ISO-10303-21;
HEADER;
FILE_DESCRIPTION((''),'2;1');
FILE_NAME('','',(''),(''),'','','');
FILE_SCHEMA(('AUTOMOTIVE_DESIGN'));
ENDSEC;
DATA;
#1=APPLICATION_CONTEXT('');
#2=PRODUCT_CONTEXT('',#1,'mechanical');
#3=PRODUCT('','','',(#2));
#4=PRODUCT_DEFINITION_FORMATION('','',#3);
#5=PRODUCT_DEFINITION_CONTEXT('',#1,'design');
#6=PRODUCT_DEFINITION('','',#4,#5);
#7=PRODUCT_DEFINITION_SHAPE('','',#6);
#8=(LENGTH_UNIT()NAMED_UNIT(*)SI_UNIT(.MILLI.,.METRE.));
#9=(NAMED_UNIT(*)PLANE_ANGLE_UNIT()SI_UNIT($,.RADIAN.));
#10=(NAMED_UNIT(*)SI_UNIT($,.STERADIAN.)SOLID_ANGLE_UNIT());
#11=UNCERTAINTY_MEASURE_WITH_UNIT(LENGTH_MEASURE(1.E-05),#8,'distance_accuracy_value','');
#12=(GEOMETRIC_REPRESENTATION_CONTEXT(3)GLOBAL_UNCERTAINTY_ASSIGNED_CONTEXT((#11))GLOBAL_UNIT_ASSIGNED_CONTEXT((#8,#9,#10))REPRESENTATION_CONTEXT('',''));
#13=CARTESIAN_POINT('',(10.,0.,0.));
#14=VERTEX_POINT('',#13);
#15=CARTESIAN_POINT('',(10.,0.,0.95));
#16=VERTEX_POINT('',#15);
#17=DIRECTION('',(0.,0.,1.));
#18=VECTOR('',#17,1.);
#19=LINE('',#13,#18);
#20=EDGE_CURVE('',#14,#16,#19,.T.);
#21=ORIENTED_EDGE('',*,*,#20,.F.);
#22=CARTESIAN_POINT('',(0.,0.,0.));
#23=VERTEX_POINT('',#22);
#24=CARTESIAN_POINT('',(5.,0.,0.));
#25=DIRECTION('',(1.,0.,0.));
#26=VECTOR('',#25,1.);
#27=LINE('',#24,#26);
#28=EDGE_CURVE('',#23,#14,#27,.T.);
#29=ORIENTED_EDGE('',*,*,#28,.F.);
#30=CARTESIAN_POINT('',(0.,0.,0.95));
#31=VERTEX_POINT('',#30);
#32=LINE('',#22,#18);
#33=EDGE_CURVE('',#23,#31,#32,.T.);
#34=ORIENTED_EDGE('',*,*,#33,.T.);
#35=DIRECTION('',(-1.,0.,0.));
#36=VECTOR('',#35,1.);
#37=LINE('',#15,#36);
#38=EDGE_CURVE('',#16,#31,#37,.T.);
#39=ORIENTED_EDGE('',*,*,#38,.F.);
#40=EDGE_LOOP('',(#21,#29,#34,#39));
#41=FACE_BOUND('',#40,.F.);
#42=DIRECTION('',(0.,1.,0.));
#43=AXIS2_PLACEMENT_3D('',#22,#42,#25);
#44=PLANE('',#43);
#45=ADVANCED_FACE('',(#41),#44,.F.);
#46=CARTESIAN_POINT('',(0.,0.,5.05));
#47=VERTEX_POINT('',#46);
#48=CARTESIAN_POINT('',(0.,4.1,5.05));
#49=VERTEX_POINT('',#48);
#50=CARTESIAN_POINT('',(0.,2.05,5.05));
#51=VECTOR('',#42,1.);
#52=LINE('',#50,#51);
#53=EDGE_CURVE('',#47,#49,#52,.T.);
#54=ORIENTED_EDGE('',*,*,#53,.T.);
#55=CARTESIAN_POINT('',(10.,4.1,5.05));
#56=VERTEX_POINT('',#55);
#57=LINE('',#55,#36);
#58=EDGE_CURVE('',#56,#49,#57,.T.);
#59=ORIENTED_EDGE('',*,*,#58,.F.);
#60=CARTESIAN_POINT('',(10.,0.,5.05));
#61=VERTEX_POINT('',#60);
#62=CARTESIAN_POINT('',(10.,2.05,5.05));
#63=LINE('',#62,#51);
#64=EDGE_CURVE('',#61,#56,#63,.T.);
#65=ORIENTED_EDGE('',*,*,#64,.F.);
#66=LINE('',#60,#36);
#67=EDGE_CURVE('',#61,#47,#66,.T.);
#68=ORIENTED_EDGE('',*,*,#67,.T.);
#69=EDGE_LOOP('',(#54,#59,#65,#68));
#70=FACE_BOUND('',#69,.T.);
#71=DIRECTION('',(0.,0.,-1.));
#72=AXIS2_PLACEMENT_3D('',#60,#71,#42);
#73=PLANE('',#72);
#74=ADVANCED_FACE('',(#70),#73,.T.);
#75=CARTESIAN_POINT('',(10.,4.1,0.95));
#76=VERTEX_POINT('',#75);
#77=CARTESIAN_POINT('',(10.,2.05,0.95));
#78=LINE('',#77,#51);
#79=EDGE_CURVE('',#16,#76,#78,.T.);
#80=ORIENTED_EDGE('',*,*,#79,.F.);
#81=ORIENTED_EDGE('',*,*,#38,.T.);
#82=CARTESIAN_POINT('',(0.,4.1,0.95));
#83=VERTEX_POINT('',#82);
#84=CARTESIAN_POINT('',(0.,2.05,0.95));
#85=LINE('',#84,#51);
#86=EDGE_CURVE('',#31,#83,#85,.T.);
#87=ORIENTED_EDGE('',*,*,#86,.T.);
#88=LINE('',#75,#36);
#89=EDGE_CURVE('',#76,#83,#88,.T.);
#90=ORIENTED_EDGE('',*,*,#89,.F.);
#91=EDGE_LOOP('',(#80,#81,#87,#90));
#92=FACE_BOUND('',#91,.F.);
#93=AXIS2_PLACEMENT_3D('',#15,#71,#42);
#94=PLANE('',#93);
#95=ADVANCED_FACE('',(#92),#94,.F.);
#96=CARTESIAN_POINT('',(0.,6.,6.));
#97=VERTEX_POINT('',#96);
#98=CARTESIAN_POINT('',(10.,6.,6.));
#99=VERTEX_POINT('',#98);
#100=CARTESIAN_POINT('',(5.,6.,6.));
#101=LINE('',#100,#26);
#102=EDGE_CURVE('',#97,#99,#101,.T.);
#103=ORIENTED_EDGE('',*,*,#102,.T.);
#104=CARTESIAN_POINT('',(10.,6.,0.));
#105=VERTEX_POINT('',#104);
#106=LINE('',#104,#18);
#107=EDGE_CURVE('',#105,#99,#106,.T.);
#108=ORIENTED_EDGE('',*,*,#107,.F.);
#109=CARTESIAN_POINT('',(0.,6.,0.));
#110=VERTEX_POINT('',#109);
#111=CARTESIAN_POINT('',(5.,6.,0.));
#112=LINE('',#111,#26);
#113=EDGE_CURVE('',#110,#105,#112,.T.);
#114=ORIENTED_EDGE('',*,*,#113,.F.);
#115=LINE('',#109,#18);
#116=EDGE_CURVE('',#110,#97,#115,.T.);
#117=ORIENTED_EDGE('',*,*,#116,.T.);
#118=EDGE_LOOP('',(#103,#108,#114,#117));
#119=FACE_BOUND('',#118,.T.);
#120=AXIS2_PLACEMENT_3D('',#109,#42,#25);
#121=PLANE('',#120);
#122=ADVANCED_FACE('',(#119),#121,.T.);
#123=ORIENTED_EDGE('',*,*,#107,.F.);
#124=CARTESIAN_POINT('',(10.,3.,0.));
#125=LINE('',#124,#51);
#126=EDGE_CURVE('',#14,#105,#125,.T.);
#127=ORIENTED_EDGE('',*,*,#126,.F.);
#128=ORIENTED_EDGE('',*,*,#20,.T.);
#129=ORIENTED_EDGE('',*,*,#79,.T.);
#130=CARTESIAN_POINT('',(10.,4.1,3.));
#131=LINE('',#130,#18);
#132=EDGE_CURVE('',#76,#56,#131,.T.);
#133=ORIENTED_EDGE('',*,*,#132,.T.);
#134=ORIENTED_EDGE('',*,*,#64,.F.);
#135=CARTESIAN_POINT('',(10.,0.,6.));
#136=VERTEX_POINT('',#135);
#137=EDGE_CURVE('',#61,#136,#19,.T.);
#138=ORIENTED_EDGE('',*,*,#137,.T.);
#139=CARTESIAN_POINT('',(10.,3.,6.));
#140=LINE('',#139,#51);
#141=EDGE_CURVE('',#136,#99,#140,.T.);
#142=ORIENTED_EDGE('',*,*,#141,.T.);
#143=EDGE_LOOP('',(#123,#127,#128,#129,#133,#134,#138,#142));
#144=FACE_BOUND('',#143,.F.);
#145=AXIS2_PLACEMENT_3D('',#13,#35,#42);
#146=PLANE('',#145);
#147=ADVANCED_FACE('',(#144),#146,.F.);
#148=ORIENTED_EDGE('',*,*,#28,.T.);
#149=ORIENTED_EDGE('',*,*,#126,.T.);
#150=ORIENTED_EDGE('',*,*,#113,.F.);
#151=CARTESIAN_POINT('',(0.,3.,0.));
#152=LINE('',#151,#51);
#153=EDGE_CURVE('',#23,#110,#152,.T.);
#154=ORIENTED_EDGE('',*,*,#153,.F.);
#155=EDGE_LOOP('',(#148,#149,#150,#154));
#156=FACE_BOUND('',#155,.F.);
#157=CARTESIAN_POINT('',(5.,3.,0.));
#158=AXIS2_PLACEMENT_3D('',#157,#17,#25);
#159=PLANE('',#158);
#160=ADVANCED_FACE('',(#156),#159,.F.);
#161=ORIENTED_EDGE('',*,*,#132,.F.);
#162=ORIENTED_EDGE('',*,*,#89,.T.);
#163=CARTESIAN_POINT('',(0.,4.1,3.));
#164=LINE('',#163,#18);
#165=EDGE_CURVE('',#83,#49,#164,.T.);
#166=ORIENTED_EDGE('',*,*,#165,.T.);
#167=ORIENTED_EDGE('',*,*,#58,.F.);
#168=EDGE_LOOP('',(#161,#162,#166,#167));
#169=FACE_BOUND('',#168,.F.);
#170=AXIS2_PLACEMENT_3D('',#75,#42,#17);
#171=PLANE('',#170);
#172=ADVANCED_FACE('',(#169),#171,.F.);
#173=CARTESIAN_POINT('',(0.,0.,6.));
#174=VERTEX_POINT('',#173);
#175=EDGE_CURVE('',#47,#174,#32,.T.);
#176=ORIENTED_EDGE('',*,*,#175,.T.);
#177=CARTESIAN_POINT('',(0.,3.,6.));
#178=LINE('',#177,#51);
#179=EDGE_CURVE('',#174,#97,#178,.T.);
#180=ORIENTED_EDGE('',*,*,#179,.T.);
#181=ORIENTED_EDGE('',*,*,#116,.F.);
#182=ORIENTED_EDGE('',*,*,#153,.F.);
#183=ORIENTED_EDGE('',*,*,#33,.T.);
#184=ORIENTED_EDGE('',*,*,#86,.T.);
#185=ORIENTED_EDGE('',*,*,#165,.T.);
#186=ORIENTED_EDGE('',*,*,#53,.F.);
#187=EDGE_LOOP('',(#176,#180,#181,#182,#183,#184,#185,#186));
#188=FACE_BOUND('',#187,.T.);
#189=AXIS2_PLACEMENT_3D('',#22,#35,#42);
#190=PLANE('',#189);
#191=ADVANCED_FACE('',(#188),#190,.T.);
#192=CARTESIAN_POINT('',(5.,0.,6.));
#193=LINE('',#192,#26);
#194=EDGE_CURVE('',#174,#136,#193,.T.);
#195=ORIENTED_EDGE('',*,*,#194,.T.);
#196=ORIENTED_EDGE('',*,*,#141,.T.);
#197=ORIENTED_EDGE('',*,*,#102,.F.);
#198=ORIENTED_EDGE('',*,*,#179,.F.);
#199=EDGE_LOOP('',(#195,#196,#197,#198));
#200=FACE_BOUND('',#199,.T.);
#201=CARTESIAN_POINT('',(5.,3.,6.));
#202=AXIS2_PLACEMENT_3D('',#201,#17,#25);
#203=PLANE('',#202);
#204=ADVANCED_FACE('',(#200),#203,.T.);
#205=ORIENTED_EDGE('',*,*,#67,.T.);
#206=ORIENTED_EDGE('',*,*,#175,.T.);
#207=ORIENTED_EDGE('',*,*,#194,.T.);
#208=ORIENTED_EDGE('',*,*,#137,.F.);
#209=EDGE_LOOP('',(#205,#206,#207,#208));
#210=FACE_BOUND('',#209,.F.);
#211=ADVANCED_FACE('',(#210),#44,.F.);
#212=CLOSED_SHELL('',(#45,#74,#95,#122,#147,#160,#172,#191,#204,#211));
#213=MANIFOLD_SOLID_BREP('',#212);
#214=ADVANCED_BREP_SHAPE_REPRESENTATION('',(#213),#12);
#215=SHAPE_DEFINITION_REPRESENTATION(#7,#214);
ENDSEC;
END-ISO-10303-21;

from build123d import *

# Parameters (mm, degrees)
F0_W     = 10
F0_H     = 6
F1_DEPTH = 6
F2_W     = 4.1
F2_H     = 4.1
F3_DEPTH = 10


with BuildPart() as f1:
    # F0 (on Top) → F1 (new body)
    with BuildSketch(Plane.XY):
        with Locations((5, 3)):
            Rectangle(F0_W, F0_H)
    extrude(amount=F1_DEPTH)

    # F2 (on face) → F3 (cut, through all)
    with BuildSketch(Plane.YZ.offset(10)):
        with Locations((2.05, 3)):
            Rectangle(F2_W, F2_H)
    extrude(amount=-F3_DEPTH, mode=Mode.SUBTRACT)


solid = f1.part
